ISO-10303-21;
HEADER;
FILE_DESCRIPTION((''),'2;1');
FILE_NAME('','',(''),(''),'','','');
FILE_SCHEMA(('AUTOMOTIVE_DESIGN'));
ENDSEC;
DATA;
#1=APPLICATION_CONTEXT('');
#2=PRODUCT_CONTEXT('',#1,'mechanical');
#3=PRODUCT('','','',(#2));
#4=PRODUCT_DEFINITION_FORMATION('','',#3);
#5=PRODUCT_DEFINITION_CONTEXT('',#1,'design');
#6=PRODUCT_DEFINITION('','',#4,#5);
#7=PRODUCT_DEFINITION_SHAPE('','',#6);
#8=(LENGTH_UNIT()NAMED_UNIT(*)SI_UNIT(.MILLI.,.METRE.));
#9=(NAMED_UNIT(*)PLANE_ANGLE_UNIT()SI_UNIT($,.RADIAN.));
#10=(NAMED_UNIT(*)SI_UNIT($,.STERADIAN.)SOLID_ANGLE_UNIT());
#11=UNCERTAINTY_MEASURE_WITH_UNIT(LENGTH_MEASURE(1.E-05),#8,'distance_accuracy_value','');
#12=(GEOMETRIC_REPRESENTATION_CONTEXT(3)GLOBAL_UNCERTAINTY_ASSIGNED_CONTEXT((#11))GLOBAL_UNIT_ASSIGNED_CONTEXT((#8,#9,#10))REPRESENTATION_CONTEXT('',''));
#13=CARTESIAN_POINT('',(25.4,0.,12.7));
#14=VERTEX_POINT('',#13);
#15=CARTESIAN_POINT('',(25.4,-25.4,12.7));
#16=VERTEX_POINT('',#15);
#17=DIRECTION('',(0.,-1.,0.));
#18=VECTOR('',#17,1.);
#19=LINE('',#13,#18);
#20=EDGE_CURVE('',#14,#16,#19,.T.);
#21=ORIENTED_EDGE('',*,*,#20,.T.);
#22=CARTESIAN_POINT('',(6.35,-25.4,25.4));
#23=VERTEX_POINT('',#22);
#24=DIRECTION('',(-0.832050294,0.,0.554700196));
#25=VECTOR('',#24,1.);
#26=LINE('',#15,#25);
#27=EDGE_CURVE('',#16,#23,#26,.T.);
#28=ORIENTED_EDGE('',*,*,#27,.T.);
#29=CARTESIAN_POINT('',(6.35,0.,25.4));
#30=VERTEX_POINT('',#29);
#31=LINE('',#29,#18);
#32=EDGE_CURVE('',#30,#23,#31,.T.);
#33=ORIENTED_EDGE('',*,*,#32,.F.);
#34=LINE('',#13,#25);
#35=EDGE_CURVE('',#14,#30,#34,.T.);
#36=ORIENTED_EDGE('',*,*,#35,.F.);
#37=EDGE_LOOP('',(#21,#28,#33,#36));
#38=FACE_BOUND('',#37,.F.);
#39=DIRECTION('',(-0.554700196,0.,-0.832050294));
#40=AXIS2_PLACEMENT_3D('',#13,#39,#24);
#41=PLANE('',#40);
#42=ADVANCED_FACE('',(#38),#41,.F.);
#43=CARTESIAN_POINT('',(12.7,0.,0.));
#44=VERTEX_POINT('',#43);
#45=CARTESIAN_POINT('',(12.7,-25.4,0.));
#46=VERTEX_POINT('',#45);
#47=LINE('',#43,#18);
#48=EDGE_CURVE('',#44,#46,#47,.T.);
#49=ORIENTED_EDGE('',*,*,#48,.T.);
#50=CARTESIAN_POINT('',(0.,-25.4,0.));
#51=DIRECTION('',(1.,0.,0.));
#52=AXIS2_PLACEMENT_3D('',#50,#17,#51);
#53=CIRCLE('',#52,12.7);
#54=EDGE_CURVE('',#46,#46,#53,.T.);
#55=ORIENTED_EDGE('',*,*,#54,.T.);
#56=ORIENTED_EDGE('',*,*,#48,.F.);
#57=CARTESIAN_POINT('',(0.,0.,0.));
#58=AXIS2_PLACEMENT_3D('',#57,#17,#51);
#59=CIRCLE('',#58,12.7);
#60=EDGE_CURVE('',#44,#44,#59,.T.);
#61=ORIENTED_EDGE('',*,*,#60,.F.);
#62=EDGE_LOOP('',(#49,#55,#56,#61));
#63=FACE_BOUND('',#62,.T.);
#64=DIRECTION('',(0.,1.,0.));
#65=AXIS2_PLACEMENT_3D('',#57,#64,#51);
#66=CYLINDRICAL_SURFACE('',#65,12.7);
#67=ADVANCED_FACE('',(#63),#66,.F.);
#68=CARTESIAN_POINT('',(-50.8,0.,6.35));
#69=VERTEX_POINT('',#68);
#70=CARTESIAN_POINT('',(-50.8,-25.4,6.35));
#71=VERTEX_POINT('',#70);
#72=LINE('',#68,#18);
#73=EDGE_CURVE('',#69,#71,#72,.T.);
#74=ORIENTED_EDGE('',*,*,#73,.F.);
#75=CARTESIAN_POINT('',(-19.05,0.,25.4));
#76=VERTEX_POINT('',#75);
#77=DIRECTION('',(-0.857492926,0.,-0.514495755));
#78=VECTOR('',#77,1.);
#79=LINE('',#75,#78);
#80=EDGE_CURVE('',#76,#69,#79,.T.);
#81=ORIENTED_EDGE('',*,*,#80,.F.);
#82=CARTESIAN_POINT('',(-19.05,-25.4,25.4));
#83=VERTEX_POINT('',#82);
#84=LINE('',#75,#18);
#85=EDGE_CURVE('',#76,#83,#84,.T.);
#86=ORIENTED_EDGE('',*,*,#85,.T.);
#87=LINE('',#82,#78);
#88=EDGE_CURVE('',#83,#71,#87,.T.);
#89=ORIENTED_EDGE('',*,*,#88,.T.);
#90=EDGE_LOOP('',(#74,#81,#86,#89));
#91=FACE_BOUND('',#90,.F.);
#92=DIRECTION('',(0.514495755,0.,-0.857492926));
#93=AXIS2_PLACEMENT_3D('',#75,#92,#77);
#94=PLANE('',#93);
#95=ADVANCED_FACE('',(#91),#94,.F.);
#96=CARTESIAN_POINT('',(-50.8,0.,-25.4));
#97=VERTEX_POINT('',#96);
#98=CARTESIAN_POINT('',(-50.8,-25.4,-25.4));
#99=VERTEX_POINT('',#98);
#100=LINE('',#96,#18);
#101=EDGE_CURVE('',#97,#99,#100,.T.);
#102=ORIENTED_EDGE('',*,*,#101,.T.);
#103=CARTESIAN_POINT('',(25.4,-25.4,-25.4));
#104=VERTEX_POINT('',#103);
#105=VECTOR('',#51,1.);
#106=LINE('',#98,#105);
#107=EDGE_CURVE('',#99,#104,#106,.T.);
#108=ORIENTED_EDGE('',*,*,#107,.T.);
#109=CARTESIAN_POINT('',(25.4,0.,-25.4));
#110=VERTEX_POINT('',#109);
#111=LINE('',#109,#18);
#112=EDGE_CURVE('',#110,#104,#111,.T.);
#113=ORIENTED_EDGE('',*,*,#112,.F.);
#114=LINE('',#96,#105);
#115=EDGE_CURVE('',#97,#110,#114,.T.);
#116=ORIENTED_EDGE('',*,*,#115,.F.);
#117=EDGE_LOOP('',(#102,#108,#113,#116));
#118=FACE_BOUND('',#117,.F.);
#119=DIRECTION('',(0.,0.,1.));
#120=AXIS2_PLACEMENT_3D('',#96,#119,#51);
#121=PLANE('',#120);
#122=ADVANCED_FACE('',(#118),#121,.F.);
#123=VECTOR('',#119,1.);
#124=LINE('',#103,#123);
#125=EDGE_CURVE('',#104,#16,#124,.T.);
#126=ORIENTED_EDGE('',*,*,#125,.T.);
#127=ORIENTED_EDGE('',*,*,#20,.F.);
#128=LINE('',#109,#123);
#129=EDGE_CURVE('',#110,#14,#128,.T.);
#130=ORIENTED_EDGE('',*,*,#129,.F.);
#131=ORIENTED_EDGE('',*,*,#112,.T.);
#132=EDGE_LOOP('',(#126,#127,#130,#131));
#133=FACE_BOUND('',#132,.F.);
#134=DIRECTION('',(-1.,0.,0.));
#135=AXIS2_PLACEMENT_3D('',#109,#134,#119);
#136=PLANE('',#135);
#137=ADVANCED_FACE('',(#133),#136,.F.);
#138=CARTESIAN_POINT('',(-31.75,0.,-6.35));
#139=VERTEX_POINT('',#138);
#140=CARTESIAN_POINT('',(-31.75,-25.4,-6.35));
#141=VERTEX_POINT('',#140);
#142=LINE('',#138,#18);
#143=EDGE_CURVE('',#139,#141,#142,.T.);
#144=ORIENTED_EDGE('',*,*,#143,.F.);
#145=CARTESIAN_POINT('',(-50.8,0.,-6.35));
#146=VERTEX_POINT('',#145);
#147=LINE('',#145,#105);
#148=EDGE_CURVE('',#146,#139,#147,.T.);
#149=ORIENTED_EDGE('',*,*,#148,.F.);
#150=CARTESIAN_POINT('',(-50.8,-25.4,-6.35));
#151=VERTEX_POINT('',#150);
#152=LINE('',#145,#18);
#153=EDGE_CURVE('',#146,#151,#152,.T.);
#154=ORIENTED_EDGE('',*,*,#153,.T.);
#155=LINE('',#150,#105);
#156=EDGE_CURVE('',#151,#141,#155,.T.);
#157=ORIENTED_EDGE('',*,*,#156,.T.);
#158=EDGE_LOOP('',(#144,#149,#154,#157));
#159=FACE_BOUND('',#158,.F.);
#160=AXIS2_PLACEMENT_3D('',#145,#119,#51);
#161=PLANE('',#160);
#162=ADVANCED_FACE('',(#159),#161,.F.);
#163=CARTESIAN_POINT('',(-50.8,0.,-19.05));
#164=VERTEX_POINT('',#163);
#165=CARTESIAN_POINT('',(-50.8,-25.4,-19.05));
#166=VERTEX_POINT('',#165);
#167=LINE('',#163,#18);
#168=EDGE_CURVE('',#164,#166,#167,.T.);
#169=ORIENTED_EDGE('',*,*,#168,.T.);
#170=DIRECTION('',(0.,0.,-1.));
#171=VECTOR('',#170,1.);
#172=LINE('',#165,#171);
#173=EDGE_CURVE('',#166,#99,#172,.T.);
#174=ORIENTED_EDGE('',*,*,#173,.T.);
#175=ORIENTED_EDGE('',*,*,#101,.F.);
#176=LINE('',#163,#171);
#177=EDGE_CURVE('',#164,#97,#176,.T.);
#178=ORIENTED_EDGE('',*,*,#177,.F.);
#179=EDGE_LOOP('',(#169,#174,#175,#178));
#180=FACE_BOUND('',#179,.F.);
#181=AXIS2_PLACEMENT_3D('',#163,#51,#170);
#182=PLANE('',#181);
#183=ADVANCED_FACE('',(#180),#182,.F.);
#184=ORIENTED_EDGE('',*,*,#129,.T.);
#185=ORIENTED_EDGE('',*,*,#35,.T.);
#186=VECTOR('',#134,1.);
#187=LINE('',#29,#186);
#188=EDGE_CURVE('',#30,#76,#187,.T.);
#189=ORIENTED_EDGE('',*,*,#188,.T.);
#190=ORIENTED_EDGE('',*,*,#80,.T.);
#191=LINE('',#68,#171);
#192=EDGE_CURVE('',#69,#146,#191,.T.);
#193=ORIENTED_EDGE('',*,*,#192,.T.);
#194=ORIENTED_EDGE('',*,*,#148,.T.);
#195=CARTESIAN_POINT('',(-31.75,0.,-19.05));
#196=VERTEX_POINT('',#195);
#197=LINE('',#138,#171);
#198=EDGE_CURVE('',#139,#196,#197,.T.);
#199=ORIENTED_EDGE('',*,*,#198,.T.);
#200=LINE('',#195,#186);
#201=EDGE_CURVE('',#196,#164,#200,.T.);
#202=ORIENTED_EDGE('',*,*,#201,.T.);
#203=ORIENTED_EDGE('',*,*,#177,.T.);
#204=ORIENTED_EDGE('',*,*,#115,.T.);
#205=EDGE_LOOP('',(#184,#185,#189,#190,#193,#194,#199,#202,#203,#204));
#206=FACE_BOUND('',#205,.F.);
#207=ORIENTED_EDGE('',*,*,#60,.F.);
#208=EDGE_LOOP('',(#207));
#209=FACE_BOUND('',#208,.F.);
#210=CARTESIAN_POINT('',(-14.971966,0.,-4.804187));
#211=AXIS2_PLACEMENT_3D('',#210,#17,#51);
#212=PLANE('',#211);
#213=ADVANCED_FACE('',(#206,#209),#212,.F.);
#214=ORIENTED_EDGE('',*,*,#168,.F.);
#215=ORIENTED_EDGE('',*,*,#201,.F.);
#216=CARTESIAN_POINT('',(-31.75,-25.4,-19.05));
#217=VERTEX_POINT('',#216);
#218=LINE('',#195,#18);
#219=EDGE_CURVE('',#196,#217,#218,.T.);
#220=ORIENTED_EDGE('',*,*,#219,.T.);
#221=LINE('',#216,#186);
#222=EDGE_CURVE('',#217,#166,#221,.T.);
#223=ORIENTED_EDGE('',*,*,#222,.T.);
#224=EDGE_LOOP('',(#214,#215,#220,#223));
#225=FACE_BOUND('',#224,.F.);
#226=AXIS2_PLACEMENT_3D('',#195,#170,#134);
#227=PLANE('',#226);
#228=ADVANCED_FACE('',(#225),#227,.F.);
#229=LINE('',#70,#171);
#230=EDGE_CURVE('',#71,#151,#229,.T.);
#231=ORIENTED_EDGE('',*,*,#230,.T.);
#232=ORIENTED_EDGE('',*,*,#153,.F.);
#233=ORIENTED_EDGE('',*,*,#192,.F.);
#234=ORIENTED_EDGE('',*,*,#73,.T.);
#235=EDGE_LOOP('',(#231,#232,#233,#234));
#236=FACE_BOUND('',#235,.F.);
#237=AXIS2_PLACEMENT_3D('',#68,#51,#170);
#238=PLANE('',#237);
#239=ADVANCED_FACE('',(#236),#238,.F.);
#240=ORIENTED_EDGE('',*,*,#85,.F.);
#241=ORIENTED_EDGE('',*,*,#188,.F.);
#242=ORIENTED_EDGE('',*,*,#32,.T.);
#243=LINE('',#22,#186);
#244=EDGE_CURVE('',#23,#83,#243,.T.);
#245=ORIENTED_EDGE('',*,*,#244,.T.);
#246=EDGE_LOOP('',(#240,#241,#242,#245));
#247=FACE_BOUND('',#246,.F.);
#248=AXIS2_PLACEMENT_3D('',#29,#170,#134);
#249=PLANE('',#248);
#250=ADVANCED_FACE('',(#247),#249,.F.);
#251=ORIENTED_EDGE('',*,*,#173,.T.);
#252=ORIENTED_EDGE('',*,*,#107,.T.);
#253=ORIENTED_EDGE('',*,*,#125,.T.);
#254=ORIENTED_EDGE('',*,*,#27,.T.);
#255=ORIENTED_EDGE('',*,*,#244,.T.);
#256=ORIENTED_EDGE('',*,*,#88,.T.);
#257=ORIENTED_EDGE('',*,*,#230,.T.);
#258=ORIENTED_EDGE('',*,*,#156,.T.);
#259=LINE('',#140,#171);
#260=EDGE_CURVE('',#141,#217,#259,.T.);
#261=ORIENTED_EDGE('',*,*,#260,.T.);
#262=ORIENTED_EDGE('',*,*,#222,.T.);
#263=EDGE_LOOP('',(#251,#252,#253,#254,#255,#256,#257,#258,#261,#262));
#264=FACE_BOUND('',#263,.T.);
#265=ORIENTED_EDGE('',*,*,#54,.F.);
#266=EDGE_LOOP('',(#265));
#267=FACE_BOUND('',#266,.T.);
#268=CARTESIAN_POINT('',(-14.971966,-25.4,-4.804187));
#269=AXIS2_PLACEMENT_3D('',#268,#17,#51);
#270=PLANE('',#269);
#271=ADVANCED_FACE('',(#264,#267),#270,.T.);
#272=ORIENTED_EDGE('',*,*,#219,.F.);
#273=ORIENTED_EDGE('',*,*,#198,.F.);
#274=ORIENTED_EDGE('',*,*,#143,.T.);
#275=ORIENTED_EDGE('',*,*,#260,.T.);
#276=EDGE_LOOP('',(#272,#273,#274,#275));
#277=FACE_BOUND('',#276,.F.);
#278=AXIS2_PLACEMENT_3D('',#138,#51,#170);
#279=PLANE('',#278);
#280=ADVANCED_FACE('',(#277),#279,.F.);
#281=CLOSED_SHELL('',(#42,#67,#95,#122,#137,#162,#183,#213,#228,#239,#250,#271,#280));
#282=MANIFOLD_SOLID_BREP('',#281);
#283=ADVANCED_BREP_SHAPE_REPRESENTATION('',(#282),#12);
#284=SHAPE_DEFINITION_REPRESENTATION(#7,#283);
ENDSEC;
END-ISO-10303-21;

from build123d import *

# Parameters (mm, degrees)
F0_R     = 12.7
F1_DEPTH = 25.4


with BuildPart() as f1:
    # F0 (on Front) → F1 (new body)
    with BuildSketch(Plane.XZ):
        Polygon((6.35, 25.4), (-19.05, 25.4), (-50.8, 6.35), (-50.8, -6.35), (-31.75, -6.35), (-31.75, -19.05), (-50.8, -19.05), (-50.8, -25.4), (25.4, -25.4), (25.4, 12.7), align=None)
        Circle(F0_R, mode=Mode.SUBTRACT)
    extrude(amount=F1_DEPTH)


solid = f1.part
